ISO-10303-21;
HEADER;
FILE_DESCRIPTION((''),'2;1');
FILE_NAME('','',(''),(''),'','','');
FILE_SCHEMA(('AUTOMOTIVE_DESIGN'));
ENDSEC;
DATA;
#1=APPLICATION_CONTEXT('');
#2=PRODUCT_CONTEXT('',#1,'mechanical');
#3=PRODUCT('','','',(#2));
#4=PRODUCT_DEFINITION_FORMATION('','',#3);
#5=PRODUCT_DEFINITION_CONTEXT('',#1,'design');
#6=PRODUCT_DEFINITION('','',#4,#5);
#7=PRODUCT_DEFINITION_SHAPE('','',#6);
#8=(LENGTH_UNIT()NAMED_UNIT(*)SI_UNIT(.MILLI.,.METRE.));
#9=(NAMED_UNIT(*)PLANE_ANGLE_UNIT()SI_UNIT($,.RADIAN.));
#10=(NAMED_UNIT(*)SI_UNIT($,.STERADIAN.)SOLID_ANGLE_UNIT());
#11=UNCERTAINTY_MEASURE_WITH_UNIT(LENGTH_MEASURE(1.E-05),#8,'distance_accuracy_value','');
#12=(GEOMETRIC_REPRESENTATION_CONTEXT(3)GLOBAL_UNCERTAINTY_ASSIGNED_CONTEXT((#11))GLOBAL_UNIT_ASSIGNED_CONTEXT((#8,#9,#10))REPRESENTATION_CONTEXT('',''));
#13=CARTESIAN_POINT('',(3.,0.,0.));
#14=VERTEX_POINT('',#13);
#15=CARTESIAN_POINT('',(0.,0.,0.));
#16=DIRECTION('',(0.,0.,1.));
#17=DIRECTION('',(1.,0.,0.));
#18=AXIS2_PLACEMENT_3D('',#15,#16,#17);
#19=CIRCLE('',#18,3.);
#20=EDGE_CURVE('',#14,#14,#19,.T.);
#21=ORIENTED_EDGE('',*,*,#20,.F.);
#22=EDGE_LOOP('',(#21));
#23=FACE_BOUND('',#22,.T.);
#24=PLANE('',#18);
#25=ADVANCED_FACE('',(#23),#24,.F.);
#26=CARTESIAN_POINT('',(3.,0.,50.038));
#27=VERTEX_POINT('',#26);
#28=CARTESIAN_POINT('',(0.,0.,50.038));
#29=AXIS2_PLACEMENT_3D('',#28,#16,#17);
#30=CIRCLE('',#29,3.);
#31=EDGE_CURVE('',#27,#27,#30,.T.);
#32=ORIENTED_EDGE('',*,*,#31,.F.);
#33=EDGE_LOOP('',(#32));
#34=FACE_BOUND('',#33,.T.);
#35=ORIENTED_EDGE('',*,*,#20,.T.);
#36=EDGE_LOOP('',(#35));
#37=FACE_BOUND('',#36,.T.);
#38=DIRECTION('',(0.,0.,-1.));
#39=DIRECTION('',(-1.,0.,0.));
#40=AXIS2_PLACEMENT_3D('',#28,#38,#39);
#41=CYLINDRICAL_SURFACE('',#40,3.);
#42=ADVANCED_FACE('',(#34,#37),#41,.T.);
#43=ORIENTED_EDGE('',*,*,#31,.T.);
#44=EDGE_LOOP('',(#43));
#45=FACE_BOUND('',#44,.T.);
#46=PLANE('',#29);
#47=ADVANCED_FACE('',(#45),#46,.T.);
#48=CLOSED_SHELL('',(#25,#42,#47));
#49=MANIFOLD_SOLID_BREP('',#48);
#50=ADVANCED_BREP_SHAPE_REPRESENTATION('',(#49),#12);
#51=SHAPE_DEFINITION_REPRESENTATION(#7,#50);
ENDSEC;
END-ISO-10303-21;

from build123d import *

# Parameters (mm, degrees)
SKETCH1_R           = 3
BOSS_EXTRUDE1_DEPTH = 50.038


with BuildPart() as part:
    # Sketch1 → Boss-Extrude1 (new body)
    with BuildSketch(Plane.XY):
        Circle(SKETCH1_R)
    extrude(amount=BOSS_EXTRUDE1_DEPTH)


solid = part.part
